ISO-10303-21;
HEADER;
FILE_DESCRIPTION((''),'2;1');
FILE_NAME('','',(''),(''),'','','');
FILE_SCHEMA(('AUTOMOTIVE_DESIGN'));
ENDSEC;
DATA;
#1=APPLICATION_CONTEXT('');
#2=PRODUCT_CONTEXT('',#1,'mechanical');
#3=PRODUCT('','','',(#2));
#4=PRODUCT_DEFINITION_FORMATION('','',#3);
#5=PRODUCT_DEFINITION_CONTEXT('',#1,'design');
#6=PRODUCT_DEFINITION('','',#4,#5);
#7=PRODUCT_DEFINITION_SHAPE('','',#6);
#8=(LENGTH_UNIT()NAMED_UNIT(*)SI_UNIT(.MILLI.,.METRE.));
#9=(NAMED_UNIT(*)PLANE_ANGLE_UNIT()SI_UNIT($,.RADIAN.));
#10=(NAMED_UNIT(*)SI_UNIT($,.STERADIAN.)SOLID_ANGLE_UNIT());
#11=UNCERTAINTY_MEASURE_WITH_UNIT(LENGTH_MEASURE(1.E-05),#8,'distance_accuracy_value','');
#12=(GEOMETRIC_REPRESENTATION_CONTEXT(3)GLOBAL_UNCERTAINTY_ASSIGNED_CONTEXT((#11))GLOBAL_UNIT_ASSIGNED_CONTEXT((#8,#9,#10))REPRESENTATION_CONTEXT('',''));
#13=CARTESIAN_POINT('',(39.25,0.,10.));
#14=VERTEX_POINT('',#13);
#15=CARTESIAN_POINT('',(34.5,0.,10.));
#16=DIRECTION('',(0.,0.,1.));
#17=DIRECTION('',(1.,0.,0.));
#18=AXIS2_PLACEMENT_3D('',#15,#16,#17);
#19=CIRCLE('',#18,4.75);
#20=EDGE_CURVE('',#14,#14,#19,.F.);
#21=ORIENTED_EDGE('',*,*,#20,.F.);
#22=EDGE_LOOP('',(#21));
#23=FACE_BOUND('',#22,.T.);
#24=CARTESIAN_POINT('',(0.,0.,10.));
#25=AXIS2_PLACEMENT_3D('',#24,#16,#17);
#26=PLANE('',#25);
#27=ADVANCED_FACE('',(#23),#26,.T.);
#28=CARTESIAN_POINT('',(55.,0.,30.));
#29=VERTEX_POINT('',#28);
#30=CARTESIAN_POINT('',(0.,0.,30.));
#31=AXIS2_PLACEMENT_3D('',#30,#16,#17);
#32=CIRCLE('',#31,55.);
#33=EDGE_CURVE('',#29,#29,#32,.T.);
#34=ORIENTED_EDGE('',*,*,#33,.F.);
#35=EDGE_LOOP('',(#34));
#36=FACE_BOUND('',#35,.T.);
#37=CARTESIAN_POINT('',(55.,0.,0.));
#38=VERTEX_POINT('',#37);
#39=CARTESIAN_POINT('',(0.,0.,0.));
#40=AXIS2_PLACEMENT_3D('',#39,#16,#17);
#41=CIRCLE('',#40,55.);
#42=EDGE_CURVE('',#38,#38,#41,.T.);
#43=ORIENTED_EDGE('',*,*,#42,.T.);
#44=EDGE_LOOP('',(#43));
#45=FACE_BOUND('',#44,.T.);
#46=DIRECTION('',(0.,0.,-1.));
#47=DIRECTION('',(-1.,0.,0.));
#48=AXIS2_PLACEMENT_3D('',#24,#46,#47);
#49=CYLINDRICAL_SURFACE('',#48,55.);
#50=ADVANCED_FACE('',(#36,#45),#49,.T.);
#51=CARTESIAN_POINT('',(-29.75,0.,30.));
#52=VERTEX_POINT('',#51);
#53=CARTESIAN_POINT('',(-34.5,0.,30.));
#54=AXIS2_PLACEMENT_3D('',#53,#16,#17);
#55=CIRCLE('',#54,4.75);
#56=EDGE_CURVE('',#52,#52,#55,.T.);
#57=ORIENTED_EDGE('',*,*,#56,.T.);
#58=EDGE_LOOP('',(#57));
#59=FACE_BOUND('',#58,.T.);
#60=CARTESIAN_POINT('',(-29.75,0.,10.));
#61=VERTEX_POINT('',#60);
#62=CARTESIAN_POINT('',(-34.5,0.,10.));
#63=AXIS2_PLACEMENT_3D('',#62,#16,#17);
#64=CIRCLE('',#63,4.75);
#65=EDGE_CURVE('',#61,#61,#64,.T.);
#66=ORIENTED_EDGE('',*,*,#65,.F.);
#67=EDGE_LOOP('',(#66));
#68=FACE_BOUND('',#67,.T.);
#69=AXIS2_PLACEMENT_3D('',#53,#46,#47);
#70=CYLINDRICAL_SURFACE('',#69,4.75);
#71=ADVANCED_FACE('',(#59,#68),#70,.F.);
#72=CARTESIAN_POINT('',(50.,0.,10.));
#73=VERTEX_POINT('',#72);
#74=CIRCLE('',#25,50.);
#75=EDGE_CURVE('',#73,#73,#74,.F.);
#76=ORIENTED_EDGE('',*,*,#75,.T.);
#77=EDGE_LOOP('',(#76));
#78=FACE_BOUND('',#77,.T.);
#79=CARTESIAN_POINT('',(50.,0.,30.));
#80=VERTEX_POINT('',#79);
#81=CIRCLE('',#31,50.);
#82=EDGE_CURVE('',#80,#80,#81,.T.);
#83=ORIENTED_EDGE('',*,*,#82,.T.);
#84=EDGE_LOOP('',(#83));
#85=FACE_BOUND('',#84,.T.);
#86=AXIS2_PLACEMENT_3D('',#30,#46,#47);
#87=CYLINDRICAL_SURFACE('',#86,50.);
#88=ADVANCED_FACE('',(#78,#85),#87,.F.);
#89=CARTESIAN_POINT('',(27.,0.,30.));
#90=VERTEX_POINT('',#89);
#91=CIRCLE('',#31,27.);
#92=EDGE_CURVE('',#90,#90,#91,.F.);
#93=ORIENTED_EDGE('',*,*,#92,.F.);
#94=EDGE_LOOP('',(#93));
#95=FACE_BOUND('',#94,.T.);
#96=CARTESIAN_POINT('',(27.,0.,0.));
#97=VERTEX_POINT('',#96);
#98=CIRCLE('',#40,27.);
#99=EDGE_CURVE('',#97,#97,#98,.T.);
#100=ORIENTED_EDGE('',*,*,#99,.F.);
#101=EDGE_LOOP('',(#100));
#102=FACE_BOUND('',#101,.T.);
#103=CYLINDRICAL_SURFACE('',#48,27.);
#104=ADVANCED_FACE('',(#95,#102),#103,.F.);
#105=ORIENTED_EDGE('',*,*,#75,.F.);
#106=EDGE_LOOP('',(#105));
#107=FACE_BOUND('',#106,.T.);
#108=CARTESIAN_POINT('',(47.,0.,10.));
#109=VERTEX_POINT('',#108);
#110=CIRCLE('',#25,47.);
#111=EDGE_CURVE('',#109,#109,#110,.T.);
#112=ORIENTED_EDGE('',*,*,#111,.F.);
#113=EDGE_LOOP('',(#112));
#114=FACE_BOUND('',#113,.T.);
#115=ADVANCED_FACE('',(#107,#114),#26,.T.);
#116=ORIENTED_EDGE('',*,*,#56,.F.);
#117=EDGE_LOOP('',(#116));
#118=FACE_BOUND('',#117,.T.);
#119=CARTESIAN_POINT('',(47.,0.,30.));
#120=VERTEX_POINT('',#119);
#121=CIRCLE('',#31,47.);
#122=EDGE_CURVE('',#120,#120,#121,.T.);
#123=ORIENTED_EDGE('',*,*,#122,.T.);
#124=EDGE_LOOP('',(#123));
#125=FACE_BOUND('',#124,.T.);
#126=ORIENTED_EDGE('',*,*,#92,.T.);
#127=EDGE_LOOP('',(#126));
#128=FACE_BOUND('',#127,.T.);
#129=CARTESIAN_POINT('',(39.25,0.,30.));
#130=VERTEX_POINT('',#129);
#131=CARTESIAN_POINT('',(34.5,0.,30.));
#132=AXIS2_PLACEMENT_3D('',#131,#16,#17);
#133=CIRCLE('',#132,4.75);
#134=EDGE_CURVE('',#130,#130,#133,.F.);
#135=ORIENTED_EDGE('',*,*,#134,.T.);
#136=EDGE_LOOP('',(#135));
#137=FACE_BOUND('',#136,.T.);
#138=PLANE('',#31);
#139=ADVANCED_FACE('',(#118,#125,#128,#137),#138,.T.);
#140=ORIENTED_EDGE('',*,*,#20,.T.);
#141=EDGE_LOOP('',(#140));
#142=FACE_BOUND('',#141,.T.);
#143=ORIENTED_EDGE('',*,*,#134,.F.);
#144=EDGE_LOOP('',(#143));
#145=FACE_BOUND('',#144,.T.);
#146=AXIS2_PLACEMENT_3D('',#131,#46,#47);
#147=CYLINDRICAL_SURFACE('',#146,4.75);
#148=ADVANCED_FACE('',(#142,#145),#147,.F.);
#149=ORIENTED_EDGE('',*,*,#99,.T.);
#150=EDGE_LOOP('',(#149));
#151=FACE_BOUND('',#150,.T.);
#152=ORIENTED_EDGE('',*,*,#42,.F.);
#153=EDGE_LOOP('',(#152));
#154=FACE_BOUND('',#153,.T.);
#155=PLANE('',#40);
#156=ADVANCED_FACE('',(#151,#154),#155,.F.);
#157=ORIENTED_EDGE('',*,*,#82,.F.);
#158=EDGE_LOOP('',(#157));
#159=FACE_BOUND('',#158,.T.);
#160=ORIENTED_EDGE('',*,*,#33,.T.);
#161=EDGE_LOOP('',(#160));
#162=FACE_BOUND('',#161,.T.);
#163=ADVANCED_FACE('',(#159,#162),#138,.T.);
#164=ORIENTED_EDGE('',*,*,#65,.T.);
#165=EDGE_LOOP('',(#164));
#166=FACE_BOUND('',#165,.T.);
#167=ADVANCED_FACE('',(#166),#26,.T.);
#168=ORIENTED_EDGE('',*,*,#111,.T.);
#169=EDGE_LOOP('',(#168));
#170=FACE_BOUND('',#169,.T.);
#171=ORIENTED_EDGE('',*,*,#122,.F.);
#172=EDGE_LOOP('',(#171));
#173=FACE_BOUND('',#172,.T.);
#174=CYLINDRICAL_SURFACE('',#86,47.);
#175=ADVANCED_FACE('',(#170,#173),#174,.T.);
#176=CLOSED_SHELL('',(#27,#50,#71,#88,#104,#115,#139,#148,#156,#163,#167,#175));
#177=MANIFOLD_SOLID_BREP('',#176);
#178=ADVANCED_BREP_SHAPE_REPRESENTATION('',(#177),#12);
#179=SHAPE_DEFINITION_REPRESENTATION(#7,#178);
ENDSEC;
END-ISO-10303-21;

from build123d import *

# Parameters (mm, degrees)
SKETCH1_R           = 55
SKETCH1_R_2         = 27
BOSS_EXTRUDE1_DEPTH = 10
SKETCH2_R           = 55
SKETCH2_R_2         = 50
SKETCH2_R_3         = 47
SKETCH2_R_4         = 4.75
SKETCH2_R_5         = 27
BOSS_EXTRUDE4_DEPTH = 20


with BuildPart() as part:
    # Sketch1 → Boss-Extrude1 (new body)
    with BuildSketch(Plane.XY):
        Circle(SKETCH1_R)
        Circle(SKETCH1_R_2, mode=Mode.SUBTRACT)
    extrude(amount=BOSS_EXTRUDE1_DEPTH)

    # Sketch2 → Boss-Extrude4 (add)
    # profile 1 of 2: a face of its own
    with BuildSketch(Plane.XY.offset(10)):
        Circle(SKETCH2_R)
        Circle(SKETCH2_R_2, mode=Mode.SUBTRACT)
    # profile 2 of 2: a face of its own
    with BuildSketch(Plane.XY.offset(10)):
        Circle(SKETCH2_R_3)
        with Locations((-34.5, 0)):
            Circle(SKETCH2_R_4, mode=Mode.SUBTRACT)
        with Locations((34.5, 0)):
            Circle(SKETCH2_R_4, mode=Mode.SUBTRACT)
        Circle(SKETCH2_R_5, mode=Mode.SUBTRACT)
    extrude(amount=BOSS_EXTRUDE4_DEPTH)


solid = part.part
